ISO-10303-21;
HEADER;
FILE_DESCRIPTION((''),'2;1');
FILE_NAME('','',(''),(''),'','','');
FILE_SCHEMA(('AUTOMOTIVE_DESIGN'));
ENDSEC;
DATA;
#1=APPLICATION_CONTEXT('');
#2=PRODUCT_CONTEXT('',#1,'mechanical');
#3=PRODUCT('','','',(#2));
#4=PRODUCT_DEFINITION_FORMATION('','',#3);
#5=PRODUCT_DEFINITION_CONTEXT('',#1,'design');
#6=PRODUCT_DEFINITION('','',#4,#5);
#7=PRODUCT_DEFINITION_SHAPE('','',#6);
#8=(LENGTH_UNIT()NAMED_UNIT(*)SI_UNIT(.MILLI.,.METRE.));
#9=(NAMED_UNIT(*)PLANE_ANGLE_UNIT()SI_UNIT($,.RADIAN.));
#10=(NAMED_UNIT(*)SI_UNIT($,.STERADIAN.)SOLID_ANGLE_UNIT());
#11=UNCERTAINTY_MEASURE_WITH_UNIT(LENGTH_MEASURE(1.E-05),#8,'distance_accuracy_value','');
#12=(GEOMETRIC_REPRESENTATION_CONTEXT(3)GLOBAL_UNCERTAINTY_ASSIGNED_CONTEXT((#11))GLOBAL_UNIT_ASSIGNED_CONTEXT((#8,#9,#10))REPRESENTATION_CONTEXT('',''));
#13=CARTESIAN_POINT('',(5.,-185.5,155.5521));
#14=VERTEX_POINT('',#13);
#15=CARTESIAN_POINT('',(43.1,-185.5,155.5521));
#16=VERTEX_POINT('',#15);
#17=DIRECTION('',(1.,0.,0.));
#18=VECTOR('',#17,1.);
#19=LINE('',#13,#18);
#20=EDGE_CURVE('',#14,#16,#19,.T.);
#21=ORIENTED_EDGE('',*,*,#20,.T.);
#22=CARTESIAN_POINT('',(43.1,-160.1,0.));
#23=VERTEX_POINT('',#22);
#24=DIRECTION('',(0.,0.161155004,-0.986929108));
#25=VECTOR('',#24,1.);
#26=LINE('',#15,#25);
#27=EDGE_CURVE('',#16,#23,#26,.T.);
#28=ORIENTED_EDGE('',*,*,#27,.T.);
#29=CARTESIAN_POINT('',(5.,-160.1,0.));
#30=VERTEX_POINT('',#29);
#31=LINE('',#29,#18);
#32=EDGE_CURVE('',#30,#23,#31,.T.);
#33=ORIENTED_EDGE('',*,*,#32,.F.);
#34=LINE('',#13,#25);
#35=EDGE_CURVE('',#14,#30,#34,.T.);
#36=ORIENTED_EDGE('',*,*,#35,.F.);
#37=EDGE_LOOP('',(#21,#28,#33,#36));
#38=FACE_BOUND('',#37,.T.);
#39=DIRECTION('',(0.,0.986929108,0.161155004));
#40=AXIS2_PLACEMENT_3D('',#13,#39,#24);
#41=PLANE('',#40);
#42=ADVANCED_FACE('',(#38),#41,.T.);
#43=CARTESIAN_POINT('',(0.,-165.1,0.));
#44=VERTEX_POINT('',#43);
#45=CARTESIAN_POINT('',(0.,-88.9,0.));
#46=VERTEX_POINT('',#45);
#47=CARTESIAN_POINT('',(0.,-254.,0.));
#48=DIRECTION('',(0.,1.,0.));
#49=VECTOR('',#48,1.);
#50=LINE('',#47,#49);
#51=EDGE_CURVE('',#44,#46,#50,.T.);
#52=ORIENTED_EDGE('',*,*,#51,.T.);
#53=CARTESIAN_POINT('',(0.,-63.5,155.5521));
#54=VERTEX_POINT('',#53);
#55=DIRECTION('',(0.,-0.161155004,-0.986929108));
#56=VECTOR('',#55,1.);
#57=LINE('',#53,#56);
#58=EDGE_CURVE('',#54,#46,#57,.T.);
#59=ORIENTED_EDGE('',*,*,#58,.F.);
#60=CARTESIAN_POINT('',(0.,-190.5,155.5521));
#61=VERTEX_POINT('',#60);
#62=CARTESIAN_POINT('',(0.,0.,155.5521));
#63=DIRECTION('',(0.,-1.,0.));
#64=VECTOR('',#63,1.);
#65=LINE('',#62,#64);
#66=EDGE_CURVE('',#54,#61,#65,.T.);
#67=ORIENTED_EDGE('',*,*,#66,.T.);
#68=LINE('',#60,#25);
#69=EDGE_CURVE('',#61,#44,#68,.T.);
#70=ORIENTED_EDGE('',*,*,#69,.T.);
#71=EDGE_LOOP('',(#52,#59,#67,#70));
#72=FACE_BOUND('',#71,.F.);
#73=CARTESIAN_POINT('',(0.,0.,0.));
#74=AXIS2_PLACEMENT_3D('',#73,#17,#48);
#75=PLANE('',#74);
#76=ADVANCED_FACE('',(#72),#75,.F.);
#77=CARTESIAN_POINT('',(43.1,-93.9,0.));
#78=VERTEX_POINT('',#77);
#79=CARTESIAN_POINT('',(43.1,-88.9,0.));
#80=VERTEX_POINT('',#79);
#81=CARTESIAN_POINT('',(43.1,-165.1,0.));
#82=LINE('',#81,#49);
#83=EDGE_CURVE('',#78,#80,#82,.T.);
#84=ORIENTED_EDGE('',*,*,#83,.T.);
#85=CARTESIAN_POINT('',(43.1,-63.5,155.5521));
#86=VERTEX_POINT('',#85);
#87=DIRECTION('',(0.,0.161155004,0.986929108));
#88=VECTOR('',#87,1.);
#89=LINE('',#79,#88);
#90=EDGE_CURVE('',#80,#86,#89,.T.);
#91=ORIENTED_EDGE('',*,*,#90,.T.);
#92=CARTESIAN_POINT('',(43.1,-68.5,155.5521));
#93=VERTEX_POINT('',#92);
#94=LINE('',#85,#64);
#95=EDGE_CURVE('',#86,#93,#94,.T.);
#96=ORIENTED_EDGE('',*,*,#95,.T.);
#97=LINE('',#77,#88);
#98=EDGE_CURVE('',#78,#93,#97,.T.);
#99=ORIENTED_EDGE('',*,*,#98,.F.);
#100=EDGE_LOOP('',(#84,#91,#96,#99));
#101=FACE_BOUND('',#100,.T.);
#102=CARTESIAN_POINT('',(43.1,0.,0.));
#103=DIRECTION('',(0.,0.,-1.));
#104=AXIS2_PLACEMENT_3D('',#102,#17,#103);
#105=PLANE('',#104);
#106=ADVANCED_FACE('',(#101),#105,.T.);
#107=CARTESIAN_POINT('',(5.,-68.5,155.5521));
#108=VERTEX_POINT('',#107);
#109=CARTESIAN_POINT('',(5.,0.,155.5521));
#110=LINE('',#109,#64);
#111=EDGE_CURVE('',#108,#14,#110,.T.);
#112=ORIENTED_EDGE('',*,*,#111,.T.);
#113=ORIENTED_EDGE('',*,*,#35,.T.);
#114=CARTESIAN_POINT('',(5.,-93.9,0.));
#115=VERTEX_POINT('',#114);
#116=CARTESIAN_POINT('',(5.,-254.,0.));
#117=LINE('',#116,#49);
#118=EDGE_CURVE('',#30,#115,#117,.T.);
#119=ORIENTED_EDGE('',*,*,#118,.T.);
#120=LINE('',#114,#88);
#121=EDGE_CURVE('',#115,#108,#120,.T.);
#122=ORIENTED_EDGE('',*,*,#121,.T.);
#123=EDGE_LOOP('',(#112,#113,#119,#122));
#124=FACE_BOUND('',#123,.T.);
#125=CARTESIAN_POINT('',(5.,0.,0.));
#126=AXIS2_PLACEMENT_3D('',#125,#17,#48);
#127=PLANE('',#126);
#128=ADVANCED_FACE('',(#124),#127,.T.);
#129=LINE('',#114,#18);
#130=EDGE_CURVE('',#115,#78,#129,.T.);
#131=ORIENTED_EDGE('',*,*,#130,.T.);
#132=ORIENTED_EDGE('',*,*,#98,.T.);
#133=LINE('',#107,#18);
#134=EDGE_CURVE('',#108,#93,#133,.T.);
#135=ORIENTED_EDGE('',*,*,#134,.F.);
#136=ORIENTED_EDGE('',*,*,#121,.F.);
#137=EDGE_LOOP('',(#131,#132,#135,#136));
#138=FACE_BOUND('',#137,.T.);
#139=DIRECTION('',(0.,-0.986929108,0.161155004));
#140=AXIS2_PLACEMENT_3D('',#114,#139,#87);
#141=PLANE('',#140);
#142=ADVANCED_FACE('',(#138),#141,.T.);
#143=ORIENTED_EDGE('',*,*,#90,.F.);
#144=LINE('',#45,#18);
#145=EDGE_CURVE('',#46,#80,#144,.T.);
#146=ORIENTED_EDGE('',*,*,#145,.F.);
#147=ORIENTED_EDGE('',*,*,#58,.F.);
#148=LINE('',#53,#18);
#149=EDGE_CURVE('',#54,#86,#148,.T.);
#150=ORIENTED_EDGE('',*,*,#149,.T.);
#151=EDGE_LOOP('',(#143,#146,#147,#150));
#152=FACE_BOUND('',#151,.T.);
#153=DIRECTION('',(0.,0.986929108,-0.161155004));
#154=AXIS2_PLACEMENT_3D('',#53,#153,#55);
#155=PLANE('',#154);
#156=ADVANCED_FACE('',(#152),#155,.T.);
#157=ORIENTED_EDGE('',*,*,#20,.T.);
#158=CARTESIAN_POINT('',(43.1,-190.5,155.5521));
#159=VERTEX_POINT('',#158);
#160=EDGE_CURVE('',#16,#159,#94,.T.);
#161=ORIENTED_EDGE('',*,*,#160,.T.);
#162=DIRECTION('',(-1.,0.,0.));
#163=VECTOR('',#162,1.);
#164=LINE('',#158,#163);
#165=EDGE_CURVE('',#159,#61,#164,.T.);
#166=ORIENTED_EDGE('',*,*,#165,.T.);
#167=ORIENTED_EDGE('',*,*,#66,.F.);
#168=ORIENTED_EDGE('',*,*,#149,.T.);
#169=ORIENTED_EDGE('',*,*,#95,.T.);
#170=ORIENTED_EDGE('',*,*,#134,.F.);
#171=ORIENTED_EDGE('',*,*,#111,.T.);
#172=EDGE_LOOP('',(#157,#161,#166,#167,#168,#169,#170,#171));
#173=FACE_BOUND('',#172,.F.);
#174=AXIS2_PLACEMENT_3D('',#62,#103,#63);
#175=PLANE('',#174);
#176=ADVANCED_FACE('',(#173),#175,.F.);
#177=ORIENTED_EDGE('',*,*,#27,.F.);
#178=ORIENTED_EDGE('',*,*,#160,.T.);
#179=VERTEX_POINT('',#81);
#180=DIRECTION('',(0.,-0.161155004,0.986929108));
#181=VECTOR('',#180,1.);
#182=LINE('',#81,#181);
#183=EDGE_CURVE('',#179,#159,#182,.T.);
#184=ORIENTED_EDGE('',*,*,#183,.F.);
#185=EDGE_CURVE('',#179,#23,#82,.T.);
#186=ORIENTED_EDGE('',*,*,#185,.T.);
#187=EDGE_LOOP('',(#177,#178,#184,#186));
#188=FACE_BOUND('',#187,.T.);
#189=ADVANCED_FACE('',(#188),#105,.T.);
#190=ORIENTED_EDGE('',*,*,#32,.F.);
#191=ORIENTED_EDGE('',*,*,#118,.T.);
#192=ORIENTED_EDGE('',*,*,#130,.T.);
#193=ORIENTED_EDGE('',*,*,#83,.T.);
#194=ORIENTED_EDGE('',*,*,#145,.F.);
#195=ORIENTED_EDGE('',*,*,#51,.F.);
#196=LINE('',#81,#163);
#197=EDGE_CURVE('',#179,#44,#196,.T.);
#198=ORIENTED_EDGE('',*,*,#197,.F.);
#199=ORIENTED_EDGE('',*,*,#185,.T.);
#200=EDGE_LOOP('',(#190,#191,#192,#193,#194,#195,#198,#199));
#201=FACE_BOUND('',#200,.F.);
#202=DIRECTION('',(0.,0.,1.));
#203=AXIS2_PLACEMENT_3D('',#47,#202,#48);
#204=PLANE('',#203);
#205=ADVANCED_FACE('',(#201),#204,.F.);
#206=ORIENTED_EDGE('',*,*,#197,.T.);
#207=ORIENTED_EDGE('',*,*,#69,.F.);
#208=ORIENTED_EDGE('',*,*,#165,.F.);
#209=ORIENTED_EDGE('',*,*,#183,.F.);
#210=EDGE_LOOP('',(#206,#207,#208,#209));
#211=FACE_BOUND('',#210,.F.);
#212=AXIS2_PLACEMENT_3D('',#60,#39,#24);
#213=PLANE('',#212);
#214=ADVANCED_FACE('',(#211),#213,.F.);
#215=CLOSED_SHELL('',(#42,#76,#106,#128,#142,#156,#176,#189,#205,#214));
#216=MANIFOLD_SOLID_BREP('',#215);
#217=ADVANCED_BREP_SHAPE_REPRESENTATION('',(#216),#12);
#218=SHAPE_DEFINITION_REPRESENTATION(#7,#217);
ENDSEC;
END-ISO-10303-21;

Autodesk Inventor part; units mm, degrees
ref_plane "YZ Plane" through (0, 0, 0) normal (1, 0, 0) x (0, 1, 0)
ref_plane "XZ Plane" through (0, 0, 0) normal (0, 1, 0) x (-1, 0, 0)
ref_plane "XY Plane" through (0, 0, 0) normal (0, 0, 1) x (1, 0, 0)
sketch "Sketch3" plane through (0, 0, 0) normal (1, 0, 0) x (0, 1, 0)
  line L0 (0, 155.5521) -> (-254, 155.5521)
  line L1 (-254, 155.5521) -> (-254, 0)
  line L2 (-254, 0) -> (0, 0)
  line L3 (0, 0) -> (0, 155.5521)
  dimension "d0" = 254
extrude "Extrusion1" add sketch "Sketch3" along normal blind 5
sketch "Sketch4" plane through (0, 0, 0) normal (-1, 0, 0) x (0, 0, 1)
  line L0 (155.5521, 0) -> (155.5521, -254) construction
  line L1 (0, 0) -> (155.5521, 0) projected
  line L2 (0, -254) -> (0, 0) construction
  line L3 (155.5521, -254) -> (0, -254) projected
  line L4 (0, 0) -> (0, -88.9)
  line L5 (0, -254) -> (0, 0) projected
  line L6 (155.5521, 0) -> (0, 0)
  line L7 (155.5521, -254) -> (0, -254)
  line L8 (0, -254) -> (0, -165.1)
  line L9 (155.5521, -254) -> (155.5521, -190.5)
  line L10 (155.5521, 0) -> (155.5521, -254) projected
  line L11 (155.5521, -190.5) -> (0, -165.1)
  line L12 (155.5521, 0) -> (155.5521, -63.5)
  line L13 (155.5521, -63.5) -> (0, -88.9)
  dimension "d3" = 88.9
  dimension "d4" = 88.9
  dimension "d5" = 63.5
  dimension "d7" = 63.5
  dimension "d10" = 155.5521
extrude "Extrusion2" cut sketch "Sketch4" against normal through all contours L1 L10 L13 L4 | L11 L9 L3 L5
sketch "Sketch7" plane through (5, 0, 0) normal (1, 0, 0) x (0, 0, -1)
  line L0 (-155.5521, -190.5) -> (0, -165.1) projected
  line L1 (0, -165.1) -> (0, -88.9) projected
  line L2 (0, -88.9) -> (-155.5521, -63.5) projected
  line L3 (-155.5521, -63.5) -> (-155.5521, -190.5) projected
  line L4 (0, -88.9) -> (-155.5521, -63.5)
  line L5 (-155.5521, -63.5) -> (-155.5521, -68.5)
  line L6 (-155.5521, -63.5) -> (-155.5521, -190.5) projected
  line L7 (0, -88.9) -> (0, -93.9)
  line L8 (0, -165.1) -> (0, -88.9) projected
  line L9 (0, -93.9) -> (-155.5521, -68.5)
  line L10 (-155.5521, -190.5) -> (-155.5521, -185.5)
  line L11 (-155.5521, -185.5) -> (0, -160.1)
  line L12 (0, -165.1) -> (-154.7568, -190.3701)
  line L13 (0, -165.1) -> (-155.5521, -190.5) projected
  point P0 (0, 0)
  dimension "d14" = 5
  dimension "d15" = 5
extrude "Extrusion3" add sketch "Sketch7" along normal blind 38.1 contours L3 L11 L1 L0 | L3 L2 L1 L9
